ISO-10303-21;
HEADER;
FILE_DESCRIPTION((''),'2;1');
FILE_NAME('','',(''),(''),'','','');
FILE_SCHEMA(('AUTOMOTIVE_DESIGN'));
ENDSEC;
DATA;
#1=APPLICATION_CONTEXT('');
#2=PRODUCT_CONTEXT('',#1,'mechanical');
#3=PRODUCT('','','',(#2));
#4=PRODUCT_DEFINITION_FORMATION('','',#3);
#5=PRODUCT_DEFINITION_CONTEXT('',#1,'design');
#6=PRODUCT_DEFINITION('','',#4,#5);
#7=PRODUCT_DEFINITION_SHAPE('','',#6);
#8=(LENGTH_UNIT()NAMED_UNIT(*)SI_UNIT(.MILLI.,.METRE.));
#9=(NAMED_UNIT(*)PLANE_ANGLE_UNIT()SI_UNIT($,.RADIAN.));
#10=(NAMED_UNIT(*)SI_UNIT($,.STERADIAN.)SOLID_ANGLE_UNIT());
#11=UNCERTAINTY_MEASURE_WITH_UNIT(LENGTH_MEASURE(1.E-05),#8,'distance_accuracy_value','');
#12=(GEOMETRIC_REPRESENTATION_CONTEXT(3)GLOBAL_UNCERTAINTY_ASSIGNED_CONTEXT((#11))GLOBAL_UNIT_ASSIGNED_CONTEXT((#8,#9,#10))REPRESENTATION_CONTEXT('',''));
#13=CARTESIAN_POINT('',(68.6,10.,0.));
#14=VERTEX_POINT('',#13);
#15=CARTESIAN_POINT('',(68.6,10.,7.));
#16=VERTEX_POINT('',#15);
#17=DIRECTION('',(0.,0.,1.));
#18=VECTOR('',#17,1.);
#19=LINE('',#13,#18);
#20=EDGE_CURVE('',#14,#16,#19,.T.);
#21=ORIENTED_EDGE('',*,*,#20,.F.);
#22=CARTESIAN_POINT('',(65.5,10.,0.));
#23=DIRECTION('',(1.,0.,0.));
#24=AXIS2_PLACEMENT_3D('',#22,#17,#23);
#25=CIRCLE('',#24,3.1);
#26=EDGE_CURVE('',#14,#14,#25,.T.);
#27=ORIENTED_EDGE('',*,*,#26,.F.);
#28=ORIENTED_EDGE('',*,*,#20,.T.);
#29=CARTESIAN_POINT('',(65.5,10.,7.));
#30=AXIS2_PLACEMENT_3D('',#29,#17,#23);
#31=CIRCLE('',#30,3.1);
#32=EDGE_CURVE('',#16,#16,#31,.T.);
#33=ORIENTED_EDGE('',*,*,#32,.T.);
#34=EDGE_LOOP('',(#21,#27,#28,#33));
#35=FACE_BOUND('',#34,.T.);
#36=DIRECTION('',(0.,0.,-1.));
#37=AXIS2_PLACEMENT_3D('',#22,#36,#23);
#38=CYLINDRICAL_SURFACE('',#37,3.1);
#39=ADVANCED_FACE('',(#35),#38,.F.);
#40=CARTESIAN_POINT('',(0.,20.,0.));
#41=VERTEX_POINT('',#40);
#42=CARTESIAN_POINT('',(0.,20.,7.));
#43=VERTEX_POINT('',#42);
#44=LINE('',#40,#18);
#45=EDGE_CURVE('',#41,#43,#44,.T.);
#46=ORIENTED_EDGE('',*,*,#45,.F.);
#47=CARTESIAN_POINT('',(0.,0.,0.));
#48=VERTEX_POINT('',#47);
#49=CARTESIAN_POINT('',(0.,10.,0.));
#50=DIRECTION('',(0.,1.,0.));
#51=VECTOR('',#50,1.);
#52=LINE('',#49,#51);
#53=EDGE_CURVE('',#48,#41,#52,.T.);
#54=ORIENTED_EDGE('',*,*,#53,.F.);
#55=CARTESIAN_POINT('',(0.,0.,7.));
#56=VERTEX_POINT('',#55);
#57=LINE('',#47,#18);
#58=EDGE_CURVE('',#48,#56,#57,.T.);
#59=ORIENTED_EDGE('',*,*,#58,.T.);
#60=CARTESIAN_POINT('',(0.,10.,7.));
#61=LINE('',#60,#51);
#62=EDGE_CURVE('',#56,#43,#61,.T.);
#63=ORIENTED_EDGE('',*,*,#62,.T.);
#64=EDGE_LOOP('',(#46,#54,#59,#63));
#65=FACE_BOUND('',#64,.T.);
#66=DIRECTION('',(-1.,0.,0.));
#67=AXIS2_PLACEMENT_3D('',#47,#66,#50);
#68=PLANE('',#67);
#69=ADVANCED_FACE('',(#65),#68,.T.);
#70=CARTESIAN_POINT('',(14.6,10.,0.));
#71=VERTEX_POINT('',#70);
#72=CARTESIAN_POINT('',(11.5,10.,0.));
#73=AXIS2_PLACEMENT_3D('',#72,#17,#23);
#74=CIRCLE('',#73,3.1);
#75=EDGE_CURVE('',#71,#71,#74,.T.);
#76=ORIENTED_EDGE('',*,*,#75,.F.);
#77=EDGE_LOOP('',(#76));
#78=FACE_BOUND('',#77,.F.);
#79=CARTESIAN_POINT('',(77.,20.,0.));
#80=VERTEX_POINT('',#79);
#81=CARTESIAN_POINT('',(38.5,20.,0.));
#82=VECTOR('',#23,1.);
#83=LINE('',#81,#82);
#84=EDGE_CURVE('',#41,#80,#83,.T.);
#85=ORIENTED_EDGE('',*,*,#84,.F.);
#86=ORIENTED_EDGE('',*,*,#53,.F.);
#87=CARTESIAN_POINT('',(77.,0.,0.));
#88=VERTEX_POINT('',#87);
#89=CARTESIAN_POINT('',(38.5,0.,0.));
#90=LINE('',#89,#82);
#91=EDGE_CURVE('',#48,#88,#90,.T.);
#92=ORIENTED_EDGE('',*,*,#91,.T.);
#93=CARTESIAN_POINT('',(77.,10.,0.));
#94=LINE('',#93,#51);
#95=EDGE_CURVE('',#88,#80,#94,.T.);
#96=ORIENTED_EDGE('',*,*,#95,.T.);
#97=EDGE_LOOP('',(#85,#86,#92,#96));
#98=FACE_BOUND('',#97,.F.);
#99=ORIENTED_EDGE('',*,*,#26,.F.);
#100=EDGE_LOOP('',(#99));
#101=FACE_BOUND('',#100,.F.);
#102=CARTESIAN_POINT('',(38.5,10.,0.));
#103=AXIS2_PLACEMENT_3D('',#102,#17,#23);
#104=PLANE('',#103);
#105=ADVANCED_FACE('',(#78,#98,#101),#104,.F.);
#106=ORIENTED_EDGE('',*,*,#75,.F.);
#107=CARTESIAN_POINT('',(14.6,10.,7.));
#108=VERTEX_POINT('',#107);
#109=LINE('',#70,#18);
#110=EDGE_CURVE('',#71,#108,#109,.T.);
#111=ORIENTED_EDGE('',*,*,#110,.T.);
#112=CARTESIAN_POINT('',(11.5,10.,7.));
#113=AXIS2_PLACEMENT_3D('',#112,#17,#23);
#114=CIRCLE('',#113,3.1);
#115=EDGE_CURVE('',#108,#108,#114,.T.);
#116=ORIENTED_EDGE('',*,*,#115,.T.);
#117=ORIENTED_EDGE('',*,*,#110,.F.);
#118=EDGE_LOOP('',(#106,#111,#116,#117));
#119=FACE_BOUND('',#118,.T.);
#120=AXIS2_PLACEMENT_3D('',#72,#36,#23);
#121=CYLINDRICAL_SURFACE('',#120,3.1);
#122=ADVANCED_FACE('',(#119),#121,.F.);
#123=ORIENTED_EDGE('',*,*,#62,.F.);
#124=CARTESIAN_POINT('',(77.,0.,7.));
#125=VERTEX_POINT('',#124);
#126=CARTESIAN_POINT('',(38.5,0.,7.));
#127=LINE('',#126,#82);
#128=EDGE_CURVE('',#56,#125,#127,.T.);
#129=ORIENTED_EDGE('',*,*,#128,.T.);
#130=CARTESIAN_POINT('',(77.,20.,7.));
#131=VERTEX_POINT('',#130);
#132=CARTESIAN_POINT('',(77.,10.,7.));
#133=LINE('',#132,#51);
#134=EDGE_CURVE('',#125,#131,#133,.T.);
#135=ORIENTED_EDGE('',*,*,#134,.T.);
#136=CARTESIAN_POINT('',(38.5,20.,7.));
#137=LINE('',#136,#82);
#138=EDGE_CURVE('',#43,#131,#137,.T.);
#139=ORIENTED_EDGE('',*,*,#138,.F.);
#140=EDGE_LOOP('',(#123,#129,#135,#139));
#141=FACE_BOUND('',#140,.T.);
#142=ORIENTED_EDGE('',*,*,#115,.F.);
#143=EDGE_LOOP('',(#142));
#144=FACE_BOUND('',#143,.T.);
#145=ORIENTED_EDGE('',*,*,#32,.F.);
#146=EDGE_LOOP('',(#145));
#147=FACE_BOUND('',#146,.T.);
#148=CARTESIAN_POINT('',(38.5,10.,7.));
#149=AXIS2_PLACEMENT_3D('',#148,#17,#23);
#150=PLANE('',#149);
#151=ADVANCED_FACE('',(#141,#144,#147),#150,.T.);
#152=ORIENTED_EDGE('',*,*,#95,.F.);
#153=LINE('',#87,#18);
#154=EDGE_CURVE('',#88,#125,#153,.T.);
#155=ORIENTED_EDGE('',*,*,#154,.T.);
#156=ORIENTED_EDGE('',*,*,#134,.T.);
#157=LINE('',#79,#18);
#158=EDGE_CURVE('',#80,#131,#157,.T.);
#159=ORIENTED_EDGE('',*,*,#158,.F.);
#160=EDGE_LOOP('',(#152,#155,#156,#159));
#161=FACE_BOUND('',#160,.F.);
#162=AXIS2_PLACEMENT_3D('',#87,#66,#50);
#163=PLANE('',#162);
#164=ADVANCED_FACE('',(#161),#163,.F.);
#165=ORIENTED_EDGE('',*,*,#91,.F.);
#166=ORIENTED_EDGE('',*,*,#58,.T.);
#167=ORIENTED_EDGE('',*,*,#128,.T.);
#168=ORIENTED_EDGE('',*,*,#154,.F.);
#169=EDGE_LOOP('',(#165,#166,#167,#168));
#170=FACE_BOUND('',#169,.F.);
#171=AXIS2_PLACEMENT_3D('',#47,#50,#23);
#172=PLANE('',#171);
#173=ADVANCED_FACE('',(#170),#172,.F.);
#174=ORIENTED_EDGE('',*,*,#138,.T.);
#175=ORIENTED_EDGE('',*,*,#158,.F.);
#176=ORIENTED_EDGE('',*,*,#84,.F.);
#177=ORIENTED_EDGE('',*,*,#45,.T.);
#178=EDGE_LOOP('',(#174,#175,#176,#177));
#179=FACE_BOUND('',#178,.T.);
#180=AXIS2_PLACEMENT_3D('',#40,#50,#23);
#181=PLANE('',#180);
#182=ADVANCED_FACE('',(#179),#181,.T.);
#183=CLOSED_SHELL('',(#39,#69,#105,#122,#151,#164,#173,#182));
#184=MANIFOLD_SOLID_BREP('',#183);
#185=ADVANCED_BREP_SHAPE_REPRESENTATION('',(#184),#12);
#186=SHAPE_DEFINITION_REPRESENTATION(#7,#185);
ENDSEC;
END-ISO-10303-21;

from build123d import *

# Parameters (mm, degrees)
SKETCH_W  = 77
SKETCH_H  = 20
SKETCH_R  = 3.1
PAD_DEPTH = 7


with BuildPart() as part:
    # Sketch → Pad (new body)
    with BuildSketch(Plane.XY):
        with Locations((38.5, 10)):
            Rectangle(SKETCH_W, SKETCH_H)
        with Locations((11.5, 10)):
            Circle(SKETCH_R, mode=Mode.SUBTRACT)
        with Locations((65.5, 10)):
            Circle(SKETCH_R, mode=Mode.SUBTRACT)
    extrude(amount=PAD_DEPTH)


solid = part.part
